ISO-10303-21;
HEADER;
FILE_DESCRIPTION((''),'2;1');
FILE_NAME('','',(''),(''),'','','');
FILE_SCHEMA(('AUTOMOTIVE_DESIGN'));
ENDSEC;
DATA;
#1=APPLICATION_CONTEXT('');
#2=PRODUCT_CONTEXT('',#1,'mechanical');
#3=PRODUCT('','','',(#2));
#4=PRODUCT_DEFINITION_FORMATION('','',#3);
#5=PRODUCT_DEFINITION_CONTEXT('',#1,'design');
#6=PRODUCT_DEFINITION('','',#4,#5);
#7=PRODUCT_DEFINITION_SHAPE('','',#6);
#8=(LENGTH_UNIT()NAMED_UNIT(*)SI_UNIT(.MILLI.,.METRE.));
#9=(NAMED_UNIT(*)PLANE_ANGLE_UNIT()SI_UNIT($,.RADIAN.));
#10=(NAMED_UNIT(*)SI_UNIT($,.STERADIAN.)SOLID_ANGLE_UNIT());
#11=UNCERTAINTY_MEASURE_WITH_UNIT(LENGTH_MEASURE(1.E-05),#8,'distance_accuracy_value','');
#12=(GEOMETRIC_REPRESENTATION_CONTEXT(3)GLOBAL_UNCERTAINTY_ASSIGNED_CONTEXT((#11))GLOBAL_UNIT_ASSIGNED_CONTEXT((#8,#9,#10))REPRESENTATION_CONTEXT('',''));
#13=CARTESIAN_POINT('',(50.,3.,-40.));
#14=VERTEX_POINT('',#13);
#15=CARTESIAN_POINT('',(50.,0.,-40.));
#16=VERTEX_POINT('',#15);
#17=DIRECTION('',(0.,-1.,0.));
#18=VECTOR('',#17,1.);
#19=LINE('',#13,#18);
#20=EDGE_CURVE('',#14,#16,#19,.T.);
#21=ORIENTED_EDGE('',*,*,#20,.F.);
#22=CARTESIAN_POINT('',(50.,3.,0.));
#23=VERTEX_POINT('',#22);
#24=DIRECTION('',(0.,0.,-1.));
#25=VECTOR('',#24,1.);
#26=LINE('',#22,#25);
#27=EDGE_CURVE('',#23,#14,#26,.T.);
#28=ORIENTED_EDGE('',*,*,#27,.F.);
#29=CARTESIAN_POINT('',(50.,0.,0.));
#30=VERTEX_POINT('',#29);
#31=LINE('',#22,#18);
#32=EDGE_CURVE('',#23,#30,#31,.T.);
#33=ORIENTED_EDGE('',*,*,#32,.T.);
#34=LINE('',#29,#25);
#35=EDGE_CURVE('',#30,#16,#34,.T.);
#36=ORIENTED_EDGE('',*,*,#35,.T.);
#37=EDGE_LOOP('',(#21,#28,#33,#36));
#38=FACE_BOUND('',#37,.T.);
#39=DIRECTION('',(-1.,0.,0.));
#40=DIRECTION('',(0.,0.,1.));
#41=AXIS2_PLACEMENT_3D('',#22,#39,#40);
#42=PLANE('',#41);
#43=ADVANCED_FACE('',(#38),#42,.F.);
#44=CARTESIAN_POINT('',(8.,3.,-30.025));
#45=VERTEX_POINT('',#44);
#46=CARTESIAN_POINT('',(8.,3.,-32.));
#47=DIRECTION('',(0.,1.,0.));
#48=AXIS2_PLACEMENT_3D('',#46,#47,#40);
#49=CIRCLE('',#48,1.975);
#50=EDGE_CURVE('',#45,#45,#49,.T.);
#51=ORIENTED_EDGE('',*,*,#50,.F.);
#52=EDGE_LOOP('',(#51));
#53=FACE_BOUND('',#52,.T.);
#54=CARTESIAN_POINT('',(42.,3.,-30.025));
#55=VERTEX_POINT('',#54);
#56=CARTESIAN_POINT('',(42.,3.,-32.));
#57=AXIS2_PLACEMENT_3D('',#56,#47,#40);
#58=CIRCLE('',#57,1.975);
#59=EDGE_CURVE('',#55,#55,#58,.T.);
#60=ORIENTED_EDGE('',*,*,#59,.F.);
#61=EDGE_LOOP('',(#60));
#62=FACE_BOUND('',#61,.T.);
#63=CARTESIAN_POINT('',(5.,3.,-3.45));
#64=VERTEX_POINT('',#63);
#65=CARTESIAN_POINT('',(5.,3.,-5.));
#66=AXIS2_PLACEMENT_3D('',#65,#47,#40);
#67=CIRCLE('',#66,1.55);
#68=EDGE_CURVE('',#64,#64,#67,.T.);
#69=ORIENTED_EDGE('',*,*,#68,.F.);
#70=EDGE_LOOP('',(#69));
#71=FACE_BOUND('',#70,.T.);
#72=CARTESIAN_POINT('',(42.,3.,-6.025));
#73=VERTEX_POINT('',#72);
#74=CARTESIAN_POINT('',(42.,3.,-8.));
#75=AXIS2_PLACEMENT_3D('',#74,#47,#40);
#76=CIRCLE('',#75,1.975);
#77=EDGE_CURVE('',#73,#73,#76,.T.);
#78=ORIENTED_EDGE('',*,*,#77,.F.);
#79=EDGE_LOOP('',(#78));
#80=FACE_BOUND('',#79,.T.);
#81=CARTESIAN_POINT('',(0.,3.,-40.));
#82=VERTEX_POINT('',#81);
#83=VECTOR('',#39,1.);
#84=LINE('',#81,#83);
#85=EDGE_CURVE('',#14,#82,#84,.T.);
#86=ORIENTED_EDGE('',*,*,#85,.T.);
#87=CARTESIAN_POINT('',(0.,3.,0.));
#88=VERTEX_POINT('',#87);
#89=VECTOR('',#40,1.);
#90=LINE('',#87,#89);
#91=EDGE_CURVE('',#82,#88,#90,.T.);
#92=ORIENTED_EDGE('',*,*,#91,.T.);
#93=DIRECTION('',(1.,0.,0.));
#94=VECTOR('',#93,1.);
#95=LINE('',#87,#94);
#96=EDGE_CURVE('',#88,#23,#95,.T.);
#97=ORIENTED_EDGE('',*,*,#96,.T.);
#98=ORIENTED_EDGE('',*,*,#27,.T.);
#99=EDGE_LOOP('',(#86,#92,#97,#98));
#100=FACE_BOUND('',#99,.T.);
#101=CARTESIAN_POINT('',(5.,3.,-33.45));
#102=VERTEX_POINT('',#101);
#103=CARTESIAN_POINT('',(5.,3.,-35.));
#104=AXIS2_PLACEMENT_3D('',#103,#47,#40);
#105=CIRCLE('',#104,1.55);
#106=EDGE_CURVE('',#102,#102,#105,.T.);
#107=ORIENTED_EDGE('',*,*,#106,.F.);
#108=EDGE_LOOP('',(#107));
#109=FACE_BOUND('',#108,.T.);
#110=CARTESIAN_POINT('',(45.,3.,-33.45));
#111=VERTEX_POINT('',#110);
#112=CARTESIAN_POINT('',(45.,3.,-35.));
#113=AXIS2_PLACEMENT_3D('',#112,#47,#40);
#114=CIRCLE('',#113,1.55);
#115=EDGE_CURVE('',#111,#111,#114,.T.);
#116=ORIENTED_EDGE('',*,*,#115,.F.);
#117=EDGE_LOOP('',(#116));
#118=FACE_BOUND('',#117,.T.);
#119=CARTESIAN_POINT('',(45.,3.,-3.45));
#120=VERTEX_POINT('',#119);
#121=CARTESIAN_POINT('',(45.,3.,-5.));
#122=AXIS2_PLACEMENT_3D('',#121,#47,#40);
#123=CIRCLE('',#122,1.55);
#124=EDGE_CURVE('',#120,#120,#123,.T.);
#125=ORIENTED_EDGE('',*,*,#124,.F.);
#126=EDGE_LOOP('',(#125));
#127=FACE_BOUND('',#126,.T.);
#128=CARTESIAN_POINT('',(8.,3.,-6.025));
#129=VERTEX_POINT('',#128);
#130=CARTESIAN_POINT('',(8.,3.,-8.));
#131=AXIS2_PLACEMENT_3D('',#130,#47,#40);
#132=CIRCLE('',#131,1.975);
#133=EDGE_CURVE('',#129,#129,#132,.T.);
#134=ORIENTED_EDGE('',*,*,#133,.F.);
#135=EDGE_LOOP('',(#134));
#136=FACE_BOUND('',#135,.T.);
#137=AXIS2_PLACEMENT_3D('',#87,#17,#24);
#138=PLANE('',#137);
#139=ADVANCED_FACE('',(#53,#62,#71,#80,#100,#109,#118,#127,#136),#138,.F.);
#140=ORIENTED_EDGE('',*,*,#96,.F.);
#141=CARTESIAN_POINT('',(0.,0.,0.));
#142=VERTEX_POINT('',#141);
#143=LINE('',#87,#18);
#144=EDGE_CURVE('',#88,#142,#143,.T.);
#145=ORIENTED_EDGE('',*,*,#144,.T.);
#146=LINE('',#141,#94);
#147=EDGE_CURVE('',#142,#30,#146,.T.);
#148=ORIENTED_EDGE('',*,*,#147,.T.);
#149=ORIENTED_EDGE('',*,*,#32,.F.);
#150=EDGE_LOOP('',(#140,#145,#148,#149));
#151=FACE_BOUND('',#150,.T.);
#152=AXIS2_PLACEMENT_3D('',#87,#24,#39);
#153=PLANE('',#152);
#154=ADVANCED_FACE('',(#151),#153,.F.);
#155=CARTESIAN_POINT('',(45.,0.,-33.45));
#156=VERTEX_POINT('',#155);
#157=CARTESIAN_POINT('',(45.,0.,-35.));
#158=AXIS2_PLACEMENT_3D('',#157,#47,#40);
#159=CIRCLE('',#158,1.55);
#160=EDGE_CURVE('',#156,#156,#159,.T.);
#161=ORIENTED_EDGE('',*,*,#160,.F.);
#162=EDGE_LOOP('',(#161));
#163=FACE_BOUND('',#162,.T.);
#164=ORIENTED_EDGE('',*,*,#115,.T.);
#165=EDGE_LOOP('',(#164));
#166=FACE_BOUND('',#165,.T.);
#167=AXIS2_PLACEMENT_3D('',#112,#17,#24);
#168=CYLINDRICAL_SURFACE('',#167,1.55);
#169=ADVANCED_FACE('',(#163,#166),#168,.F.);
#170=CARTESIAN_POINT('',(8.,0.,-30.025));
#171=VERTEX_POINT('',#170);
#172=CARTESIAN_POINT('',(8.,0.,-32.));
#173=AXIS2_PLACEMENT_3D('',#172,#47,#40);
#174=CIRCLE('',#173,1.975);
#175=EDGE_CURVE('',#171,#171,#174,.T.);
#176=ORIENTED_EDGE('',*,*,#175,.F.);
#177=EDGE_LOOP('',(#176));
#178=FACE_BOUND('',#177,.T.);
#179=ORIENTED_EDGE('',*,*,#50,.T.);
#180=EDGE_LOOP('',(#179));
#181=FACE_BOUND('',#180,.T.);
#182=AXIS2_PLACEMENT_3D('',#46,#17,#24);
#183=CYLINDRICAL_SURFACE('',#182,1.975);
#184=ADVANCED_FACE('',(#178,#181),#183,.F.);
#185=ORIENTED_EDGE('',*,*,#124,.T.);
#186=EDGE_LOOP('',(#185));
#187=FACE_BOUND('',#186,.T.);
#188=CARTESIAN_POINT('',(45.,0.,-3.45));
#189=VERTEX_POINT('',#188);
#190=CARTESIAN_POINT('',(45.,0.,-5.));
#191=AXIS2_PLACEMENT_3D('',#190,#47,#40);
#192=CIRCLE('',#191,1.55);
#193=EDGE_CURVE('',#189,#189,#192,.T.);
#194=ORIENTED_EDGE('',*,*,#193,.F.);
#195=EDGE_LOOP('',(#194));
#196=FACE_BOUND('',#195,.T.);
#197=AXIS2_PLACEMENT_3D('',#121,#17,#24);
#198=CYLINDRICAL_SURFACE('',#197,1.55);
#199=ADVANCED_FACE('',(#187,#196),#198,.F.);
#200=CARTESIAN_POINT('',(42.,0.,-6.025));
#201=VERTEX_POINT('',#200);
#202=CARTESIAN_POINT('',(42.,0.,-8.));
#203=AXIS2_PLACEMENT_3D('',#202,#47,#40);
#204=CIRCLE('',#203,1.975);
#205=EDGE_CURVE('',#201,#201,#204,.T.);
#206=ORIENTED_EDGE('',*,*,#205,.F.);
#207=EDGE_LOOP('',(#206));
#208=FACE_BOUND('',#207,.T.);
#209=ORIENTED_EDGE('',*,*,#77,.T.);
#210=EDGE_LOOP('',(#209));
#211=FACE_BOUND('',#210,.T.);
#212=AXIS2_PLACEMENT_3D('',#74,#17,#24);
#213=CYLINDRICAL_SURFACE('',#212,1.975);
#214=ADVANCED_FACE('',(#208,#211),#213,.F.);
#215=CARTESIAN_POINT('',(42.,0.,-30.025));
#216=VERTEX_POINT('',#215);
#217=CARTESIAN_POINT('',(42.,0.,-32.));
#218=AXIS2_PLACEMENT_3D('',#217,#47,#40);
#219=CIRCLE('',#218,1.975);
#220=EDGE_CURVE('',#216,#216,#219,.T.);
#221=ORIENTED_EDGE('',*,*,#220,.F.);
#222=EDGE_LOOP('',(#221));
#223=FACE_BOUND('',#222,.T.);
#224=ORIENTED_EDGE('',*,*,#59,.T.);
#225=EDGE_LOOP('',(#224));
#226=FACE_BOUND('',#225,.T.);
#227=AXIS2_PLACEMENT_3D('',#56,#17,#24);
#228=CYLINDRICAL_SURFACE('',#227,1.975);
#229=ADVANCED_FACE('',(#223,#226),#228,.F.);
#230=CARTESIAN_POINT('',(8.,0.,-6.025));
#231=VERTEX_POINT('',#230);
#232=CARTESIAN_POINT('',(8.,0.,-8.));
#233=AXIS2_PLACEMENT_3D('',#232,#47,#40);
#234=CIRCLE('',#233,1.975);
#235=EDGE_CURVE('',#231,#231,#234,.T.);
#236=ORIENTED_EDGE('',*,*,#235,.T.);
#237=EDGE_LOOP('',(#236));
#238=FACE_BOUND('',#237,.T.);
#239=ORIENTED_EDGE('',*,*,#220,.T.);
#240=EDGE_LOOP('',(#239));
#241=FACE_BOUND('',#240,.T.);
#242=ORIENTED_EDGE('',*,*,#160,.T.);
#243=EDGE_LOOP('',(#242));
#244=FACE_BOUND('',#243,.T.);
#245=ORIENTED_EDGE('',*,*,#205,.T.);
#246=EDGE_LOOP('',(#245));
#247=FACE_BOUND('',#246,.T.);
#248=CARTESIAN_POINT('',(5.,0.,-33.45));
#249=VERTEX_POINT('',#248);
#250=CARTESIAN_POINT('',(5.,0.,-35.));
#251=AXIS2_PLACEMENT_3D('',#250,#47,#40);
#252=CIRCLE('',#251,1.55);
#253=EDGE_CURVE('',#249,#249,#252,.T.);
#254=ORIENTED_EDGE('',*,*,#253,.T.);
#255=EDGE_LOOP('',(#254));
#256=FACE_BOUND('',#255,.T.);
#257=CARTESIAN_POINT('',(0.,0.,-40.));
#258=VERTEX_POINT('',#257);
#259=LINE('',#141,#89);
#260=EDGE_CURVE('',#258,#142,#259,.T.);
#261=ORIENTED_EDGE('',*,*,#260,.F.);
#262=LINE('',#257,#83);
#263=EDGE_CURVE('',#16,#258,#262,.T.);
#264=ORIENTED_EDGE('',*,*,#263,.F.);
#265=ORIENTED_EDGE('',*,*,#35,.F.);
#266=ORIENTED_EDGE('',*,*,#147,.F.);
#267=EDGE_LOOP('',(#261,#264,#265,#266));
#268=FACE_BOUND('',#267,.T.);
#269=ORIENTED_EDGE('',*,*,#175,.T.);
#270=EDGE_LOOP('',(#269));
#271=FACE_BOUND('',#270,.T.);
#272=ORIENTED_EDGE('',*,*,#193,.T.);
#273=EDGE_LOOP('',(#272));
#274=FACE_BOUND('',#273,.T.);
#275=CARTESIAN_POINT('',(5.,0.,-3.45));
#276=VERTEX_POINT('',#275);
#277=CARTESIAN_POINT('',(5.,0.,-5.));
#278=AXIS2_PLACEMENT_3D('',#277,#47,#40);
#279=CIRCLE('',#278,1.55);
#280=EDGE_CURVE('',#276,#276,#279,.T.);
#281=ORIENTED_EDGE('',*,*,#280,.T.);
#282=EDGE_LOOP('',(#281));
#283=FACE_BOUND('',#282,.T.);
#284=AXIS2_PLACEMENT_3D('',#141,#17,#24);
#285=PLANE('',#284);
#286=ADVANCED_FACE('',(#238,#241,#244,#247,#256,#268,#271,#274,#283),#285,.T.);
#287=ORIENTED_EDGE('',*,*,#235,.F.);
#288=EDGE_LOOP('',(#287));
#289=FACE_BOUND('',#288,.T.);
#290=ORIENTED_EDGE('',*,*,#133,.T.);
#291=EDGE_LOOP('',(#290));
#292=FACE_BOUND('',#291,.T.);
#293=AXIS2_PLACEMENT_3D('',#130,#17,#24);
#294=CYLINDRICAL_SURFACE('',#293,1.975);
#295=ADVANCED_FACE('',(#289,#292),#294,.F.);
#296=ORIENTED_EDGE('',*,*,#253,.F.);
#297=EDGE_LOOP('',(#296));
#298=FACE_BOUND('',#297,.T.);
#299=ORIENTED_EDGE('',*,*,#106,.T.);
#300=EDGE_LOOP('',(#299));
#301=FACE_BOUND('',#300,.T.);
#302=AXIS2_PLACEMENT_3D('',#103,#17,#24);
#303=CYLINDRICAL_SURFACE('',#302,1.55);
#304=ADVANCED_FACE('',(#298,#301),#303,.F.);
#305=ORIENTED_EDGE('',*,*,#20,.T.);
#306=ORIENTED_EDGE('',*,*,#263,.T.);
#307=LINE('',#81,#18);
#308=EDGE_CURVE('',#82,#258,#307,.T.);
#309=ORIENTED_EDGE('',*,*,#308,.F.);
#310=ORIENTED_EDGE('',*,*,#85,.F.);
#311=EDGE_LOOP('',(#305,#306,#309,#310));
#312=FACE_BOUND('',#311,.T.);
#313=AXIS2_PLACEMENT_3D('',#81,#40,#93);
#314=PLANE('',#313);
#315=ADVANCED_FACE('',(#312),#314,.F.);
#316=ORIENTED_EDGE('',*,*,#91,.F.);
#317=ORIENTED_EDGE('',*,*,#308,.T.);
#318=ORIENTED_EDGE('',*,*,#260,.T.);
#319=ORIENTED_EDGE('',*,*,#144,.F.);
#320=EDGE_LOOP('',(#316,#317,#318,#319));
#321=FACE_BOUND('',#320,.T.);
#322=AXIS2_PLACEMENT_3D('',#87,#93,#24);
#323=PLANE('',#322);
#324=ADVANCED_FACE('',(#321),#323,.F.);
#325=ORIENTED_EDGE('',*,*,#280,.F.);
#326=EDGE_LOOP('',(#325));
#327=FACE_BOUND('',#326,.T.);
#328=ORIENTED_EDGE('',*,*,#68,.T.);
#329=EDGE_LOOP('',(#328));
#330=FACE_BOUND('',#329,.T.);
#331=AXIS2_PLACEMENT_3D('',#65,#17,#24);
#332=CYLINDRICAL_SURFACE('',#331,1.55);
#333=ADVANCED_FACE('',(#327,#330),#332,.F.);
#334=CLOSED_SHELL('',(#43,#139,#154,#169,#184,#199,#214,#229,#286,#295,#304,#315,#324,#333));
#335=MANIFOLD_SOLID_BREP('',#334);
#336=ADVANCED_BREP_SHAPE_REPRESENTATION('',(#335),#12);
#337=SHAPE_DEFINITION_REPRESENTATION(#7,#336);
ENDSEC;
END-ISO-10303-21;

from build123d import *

# Parameters (mm, degrees)
SKETCH1_W           = 50
SKETCH1_H           = 40
SKETCH1_R           = 1.55
SKETCH1_R_2         = 1.975
BOSS_EXTRUDE1_DEPTH = 3


with BuildPart() as part:
    # Sketch1 → Boss-Extrude1 (new body)
    with BuildSketch(Plane(origin=(0, 0, 0), x_dir=(1, 0, 0), z_dir=(0, 1, 0))):
        with Locations((25, 20)):
            Rectangle(SKETCH1_W, SKETCH1_H)
        with Locations(Location((5, 35, 0), (0, 0, 270))):
            Circle(SKETCH1_R, mode=Mode.SUBTRACT)
        with Locations(Location((45, 35, 0), (0, 0, 270))):
            Circle(SKETCH1_R, mode=Mode.SUBTRACT)
        with Locations(Location((5, 5, 0), (0, 0, 270))):
            Circle(SKETCH1_R, mode=Mode.SUBTRACT)
        with Locations(Location((45, 5, 0), (0, 0, 270))):
            Circle(SKETCH1_R, mode=Mode.SUBTRACT)
        with Locations(Location((8, 32, 0), (0, 0, 270))):
            Circle(SKETCH1_R_2, mode=Mode.SUBTRACT)
        with Locations(Location((42, 32, 0), (0, 0, 270))):
            Circle(SKETCH1_R_2, mode=Mode.SUBTRACT)
        with Locations(Location((8, 8, 0), (0, 0, 270))):
            Circle(SKETCH1_R_2, mode=Mode.SUBTRACT)
        with Locations(Location((42, 8, 0), (0, 0, 270))):
            Circle(SKETCH1_R_2, mode=Mode.SUBTRACT)
    extrude(amount=BOSS_EXTRUDE1_DEPTH)


solid = part.part
